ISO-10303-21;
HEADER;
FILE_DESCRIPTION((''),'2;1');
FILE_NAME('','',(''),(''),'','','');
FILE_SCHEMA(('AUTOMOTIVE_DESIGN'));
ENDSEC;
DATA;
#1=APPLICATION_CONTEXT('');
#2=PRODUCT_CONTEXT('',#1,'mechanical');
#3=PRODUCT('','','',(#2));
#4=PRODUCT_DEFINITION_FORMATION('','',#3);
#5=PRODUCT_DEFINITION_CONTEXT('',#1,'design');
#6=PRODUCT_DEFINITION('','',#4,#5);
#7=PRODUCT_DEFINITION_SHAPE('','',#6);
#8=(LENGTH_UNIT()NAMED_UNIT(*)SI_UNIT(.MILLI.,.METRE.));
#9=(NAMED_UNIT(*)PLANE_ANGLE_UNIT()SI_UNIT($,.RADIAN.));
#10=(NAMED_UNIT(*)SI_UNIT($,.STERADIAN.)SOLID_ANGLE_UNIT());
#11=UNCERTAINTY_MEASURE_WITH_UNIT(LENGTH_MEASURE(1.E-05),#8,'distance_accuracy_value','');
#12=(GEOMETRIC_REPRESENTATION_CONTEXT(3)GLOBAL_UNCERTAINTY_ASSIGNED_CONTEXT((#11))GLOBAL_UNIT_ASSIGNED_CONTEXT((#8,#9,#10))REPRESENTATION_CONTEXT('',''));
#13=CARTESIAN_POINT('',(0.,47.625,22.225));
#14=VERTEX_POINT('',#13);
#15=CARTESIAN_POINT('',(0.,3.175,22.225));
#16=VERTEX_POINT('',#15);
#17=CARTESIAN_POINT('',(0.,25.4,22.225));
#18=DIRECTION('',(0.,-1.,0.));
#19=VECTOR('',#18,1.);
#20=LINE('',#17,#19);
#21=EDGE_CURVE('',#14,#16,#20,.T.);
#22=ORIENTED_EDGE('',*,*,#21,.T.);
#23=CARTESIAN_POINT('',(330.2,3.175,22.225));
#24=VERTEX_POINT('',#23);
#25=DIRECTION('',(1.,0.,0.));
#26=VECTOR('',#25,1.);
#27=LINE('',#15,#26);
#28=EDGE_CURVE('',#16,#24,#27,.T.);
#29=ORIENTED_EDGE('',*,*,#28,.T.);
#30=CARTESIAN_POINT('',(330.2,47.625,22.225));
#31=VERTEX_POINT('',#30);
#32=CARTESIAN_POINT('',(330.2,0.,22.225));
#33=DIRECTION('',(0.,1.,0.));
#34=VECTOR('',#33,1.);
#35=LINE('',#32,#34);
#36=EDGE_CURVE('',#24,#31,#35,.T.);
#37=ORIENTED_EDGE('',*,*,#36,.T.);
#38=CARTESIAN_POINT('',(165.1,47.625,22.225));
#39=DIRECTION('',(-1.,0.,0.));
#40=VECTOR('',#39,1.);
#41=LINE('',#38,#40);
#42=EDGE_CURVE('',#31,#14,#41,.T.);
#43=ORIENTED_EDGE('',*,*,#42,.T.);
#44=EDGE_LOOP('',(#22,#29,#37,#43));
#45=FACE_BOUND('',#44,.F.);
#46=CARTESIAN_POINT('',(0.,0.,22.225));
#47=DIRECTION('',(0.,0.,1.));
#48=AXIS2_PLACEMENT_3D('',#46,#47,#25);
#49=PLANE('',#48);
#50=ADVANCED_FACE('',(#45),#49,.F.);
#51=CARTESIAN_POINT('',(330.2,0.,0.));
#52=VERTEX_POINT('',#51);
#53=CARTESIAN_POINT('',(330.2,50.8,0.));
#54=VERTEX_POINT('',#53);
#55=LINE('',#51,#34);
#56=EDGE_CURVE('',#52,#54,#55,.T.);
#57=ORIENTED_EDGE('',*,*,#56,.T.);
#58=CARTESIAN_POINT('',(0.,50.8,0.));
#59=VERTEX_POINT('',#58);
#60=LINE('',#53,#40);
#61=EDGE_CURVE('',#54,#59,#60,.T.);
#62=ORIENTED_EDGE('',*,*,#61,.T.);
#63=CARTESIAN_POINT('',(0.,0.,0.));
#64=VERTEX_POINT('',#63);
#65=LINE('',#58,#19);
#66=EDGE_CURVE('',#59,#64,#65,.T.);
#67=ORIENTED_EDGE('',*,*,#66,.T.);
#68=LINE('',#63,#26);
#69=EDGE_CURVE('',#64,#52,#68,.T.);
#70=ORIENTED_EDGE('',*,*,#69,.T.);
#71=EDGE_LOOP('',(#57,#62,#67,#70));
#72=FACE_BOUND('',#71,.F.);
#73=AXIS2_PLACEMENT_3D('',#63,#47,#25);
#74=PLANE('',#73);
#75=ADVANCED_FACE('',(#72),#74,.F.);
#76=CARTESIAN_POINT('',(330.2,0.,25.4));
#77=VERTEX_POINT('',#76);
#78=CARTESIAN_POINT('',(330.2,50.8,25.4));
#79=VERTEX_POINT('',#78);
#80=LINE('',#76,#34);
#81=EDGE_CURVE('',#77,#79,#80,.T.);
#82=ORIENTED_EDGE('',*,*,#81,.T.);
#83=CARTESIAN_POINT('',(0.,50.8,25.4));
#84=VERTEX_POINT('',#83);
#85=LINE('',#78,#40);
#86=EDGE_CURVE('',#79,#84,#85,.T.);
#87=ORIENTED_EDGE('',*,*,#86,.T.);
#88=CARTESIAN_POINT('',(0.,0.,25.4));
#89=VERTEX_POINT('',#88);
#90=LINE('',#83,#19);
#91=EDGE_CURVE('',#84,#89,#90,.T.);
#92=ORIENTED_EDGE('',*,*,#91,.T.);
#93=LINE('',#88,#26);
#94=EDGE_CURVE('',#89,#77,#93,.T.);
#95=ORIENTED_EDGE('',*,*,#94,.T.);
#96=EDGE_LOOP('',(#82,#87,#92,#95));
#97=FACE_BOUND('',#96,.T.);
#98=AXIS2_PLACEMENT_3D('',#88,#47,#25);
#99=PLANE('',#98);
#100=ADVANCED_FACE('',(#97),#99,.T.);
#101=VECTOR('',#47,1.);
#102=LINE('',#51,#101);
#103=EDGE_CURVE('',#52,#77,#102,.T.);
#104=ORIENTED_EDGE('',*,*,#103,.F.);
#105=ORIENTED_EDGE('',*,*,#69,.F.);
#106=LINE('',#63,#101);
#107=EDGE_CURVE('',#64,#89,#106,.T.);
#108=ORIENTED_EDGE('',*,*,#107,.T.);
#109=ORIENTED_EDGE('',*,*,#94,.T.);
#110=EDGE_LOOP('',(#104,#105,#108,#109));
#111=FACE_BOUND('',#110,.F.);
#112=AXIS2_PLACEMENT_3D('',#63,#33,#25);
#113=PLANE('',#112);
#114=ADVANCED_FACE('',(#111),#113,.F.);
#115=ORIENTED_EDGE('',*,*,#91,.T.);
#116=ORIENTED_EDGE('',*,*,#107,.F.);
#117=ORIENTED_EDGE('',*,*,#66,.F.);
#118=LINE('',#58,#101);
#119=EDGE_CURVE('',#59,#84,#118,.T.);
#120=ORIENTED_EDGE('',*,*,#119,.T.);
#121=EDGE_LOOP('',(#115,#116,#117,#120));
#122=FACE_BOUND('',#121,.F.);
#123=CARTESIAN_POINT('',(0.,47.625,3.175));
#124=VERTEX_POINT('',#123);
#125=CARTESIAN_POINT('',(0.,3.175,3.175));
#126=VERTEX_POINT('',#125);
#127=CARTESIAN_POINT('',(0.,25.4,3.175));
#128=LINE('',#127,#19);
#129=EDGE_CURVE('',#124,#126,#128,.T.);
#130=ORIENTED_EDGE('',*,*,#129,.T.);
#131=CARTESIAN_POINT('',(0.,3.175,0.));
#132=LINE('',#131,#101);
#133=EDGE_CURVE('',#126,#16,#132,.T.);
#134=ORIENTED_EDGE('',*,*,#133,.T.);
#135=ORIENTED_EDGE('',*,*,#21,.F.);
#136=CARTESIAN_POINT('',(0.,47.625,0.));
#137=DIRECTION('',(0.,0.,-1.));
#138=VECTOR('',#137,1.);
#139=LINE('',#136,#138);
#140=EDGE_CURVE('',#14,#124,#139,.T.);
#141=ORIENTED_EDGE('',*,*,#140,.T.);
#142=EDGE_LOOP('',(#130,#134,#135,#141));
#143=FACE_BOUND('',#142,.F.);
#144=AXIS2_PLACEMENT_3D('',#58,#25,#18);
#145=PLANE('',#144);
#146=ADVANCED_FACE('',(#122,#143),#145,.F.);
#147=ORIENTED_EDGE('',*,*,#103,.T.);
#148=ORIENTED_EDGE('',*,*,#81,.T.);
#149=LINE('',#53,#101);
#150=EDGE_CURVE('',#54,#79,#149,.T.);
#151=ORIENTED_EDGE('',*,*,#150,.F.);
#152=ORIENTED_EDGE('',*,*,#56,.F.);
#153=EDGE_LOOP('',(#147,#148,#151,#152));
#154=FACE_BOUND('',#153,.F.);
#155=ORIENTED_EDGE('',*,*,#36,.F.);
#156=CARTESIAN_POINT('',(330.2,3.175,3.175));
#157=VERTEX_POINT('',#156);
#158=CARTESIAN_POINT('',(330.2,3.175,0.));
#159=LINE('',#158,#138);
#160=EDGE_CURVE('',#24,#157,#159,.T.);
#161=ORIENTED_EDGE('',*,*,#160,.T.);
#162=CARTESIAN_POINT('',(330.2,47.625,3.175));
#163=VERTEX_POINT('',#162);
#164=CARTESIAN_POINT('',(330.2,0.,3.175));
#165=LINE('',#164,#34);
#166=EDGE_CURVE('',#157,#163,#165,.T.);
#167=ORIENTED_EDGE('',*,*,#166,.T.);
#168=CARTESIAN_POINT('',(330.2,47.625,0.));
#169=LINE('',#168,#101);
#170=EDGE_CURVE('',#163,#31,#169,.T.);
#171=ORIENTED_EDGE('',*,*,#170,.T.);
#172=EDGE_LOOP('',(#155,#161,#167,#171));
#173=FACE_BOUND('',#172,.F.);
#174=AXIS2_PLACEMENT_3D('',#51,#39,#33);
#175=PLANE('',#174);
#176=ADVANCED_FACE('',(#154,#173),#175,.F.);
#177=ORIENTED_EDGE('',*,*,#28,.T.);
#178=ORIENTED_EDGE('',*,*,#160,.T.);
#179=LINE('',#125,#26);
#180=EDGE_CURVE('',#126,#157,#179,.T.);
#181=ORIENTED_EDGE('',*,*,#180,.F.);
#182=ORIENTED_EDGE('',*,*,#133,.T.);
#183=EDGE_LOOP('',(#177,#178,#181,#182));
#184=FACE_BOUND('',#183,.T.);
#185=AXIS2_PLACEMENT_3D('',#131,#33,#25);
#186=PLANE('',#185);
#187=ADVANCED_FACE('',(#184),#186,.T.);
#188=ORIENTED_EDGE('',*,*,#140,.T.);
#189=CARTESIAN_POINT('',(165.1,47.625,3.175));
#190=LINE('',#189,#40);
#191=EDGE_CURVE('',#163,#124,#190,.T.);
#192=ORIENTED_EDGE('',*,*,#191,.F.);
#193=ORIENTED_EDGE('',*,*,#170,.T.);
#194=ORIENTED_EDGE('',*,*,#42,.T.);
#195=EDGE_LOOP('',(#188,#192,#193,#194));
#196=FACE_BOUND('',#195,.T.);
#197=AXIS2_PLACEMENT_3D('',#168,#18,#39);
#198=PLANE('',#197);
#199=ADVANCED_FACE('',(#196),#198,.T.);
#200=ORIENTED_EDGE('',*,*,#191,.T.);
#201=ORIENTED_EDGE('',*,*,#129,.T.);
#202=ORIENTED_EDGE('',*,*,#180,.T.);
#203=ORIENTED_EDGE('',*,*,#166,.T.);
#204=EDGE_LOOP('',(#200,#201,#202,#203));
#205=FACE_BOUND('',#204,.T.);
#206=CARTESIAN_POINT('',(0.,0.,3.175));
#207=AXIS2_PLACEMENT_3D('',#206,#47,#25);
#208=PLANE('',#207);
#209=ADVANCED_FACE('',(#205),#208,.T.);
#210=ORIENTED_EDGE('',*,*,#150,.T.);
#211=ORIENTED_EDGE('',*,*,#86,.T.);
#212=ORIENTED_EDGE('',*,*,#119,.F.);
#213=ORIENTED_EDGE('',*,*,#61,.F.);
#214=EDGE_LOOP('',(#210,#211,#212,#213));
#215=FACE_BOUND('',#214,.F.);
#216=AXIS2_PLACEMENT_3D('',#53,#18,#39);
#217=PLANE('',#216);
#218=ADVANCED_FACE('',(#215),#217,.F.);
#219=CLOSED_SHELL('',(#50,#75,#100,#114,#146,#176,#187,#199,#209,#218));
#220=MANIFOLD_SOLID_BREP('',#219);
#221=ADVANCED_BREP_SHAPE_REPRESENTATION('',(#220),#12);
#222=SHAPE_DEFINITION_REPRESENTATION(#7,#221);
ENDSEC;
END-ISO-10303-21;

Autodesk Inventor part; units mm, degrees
ref_plane "YZ Plane" through (0, 0, 0) normal (1, 0, 0) x (0, 1, 0)
ref_plane "XZ Plane" through (0, 0, 0) normal (0, 1, 0) x (-1, 0, 0)
ref_plane "XY Plane" through (0, 0, 0) normal (0, 0, 1) x (1, 0, 0)
sketch "Sketch1" plane through (0, 0, 0) normal (0, 0, 1) x (1, 0, 0)
  line L0 (0, 0) -> (330.2, 0)
  line L1 (330.2, 0) -> (330.2, 50.8)
  line L2 (330.2, 50.8) -> (0, 50.8)
  line L3 (0, 50.8) -> (0, 0)
  dimension "d0" = 330.2
  dimension "d1" = 50.8
extrude "Extrusion1" add sketch "Sketch1" along normal blind 25.4
shell "Shell1" thickness 3.175 removed faces 2 at (0, 33.8667, 16.9333) at (330.2, 16.9333, 8.4667)
properties part number "Frame_MainShooterFrame_FrontRear" material "Aluminum-6061"
